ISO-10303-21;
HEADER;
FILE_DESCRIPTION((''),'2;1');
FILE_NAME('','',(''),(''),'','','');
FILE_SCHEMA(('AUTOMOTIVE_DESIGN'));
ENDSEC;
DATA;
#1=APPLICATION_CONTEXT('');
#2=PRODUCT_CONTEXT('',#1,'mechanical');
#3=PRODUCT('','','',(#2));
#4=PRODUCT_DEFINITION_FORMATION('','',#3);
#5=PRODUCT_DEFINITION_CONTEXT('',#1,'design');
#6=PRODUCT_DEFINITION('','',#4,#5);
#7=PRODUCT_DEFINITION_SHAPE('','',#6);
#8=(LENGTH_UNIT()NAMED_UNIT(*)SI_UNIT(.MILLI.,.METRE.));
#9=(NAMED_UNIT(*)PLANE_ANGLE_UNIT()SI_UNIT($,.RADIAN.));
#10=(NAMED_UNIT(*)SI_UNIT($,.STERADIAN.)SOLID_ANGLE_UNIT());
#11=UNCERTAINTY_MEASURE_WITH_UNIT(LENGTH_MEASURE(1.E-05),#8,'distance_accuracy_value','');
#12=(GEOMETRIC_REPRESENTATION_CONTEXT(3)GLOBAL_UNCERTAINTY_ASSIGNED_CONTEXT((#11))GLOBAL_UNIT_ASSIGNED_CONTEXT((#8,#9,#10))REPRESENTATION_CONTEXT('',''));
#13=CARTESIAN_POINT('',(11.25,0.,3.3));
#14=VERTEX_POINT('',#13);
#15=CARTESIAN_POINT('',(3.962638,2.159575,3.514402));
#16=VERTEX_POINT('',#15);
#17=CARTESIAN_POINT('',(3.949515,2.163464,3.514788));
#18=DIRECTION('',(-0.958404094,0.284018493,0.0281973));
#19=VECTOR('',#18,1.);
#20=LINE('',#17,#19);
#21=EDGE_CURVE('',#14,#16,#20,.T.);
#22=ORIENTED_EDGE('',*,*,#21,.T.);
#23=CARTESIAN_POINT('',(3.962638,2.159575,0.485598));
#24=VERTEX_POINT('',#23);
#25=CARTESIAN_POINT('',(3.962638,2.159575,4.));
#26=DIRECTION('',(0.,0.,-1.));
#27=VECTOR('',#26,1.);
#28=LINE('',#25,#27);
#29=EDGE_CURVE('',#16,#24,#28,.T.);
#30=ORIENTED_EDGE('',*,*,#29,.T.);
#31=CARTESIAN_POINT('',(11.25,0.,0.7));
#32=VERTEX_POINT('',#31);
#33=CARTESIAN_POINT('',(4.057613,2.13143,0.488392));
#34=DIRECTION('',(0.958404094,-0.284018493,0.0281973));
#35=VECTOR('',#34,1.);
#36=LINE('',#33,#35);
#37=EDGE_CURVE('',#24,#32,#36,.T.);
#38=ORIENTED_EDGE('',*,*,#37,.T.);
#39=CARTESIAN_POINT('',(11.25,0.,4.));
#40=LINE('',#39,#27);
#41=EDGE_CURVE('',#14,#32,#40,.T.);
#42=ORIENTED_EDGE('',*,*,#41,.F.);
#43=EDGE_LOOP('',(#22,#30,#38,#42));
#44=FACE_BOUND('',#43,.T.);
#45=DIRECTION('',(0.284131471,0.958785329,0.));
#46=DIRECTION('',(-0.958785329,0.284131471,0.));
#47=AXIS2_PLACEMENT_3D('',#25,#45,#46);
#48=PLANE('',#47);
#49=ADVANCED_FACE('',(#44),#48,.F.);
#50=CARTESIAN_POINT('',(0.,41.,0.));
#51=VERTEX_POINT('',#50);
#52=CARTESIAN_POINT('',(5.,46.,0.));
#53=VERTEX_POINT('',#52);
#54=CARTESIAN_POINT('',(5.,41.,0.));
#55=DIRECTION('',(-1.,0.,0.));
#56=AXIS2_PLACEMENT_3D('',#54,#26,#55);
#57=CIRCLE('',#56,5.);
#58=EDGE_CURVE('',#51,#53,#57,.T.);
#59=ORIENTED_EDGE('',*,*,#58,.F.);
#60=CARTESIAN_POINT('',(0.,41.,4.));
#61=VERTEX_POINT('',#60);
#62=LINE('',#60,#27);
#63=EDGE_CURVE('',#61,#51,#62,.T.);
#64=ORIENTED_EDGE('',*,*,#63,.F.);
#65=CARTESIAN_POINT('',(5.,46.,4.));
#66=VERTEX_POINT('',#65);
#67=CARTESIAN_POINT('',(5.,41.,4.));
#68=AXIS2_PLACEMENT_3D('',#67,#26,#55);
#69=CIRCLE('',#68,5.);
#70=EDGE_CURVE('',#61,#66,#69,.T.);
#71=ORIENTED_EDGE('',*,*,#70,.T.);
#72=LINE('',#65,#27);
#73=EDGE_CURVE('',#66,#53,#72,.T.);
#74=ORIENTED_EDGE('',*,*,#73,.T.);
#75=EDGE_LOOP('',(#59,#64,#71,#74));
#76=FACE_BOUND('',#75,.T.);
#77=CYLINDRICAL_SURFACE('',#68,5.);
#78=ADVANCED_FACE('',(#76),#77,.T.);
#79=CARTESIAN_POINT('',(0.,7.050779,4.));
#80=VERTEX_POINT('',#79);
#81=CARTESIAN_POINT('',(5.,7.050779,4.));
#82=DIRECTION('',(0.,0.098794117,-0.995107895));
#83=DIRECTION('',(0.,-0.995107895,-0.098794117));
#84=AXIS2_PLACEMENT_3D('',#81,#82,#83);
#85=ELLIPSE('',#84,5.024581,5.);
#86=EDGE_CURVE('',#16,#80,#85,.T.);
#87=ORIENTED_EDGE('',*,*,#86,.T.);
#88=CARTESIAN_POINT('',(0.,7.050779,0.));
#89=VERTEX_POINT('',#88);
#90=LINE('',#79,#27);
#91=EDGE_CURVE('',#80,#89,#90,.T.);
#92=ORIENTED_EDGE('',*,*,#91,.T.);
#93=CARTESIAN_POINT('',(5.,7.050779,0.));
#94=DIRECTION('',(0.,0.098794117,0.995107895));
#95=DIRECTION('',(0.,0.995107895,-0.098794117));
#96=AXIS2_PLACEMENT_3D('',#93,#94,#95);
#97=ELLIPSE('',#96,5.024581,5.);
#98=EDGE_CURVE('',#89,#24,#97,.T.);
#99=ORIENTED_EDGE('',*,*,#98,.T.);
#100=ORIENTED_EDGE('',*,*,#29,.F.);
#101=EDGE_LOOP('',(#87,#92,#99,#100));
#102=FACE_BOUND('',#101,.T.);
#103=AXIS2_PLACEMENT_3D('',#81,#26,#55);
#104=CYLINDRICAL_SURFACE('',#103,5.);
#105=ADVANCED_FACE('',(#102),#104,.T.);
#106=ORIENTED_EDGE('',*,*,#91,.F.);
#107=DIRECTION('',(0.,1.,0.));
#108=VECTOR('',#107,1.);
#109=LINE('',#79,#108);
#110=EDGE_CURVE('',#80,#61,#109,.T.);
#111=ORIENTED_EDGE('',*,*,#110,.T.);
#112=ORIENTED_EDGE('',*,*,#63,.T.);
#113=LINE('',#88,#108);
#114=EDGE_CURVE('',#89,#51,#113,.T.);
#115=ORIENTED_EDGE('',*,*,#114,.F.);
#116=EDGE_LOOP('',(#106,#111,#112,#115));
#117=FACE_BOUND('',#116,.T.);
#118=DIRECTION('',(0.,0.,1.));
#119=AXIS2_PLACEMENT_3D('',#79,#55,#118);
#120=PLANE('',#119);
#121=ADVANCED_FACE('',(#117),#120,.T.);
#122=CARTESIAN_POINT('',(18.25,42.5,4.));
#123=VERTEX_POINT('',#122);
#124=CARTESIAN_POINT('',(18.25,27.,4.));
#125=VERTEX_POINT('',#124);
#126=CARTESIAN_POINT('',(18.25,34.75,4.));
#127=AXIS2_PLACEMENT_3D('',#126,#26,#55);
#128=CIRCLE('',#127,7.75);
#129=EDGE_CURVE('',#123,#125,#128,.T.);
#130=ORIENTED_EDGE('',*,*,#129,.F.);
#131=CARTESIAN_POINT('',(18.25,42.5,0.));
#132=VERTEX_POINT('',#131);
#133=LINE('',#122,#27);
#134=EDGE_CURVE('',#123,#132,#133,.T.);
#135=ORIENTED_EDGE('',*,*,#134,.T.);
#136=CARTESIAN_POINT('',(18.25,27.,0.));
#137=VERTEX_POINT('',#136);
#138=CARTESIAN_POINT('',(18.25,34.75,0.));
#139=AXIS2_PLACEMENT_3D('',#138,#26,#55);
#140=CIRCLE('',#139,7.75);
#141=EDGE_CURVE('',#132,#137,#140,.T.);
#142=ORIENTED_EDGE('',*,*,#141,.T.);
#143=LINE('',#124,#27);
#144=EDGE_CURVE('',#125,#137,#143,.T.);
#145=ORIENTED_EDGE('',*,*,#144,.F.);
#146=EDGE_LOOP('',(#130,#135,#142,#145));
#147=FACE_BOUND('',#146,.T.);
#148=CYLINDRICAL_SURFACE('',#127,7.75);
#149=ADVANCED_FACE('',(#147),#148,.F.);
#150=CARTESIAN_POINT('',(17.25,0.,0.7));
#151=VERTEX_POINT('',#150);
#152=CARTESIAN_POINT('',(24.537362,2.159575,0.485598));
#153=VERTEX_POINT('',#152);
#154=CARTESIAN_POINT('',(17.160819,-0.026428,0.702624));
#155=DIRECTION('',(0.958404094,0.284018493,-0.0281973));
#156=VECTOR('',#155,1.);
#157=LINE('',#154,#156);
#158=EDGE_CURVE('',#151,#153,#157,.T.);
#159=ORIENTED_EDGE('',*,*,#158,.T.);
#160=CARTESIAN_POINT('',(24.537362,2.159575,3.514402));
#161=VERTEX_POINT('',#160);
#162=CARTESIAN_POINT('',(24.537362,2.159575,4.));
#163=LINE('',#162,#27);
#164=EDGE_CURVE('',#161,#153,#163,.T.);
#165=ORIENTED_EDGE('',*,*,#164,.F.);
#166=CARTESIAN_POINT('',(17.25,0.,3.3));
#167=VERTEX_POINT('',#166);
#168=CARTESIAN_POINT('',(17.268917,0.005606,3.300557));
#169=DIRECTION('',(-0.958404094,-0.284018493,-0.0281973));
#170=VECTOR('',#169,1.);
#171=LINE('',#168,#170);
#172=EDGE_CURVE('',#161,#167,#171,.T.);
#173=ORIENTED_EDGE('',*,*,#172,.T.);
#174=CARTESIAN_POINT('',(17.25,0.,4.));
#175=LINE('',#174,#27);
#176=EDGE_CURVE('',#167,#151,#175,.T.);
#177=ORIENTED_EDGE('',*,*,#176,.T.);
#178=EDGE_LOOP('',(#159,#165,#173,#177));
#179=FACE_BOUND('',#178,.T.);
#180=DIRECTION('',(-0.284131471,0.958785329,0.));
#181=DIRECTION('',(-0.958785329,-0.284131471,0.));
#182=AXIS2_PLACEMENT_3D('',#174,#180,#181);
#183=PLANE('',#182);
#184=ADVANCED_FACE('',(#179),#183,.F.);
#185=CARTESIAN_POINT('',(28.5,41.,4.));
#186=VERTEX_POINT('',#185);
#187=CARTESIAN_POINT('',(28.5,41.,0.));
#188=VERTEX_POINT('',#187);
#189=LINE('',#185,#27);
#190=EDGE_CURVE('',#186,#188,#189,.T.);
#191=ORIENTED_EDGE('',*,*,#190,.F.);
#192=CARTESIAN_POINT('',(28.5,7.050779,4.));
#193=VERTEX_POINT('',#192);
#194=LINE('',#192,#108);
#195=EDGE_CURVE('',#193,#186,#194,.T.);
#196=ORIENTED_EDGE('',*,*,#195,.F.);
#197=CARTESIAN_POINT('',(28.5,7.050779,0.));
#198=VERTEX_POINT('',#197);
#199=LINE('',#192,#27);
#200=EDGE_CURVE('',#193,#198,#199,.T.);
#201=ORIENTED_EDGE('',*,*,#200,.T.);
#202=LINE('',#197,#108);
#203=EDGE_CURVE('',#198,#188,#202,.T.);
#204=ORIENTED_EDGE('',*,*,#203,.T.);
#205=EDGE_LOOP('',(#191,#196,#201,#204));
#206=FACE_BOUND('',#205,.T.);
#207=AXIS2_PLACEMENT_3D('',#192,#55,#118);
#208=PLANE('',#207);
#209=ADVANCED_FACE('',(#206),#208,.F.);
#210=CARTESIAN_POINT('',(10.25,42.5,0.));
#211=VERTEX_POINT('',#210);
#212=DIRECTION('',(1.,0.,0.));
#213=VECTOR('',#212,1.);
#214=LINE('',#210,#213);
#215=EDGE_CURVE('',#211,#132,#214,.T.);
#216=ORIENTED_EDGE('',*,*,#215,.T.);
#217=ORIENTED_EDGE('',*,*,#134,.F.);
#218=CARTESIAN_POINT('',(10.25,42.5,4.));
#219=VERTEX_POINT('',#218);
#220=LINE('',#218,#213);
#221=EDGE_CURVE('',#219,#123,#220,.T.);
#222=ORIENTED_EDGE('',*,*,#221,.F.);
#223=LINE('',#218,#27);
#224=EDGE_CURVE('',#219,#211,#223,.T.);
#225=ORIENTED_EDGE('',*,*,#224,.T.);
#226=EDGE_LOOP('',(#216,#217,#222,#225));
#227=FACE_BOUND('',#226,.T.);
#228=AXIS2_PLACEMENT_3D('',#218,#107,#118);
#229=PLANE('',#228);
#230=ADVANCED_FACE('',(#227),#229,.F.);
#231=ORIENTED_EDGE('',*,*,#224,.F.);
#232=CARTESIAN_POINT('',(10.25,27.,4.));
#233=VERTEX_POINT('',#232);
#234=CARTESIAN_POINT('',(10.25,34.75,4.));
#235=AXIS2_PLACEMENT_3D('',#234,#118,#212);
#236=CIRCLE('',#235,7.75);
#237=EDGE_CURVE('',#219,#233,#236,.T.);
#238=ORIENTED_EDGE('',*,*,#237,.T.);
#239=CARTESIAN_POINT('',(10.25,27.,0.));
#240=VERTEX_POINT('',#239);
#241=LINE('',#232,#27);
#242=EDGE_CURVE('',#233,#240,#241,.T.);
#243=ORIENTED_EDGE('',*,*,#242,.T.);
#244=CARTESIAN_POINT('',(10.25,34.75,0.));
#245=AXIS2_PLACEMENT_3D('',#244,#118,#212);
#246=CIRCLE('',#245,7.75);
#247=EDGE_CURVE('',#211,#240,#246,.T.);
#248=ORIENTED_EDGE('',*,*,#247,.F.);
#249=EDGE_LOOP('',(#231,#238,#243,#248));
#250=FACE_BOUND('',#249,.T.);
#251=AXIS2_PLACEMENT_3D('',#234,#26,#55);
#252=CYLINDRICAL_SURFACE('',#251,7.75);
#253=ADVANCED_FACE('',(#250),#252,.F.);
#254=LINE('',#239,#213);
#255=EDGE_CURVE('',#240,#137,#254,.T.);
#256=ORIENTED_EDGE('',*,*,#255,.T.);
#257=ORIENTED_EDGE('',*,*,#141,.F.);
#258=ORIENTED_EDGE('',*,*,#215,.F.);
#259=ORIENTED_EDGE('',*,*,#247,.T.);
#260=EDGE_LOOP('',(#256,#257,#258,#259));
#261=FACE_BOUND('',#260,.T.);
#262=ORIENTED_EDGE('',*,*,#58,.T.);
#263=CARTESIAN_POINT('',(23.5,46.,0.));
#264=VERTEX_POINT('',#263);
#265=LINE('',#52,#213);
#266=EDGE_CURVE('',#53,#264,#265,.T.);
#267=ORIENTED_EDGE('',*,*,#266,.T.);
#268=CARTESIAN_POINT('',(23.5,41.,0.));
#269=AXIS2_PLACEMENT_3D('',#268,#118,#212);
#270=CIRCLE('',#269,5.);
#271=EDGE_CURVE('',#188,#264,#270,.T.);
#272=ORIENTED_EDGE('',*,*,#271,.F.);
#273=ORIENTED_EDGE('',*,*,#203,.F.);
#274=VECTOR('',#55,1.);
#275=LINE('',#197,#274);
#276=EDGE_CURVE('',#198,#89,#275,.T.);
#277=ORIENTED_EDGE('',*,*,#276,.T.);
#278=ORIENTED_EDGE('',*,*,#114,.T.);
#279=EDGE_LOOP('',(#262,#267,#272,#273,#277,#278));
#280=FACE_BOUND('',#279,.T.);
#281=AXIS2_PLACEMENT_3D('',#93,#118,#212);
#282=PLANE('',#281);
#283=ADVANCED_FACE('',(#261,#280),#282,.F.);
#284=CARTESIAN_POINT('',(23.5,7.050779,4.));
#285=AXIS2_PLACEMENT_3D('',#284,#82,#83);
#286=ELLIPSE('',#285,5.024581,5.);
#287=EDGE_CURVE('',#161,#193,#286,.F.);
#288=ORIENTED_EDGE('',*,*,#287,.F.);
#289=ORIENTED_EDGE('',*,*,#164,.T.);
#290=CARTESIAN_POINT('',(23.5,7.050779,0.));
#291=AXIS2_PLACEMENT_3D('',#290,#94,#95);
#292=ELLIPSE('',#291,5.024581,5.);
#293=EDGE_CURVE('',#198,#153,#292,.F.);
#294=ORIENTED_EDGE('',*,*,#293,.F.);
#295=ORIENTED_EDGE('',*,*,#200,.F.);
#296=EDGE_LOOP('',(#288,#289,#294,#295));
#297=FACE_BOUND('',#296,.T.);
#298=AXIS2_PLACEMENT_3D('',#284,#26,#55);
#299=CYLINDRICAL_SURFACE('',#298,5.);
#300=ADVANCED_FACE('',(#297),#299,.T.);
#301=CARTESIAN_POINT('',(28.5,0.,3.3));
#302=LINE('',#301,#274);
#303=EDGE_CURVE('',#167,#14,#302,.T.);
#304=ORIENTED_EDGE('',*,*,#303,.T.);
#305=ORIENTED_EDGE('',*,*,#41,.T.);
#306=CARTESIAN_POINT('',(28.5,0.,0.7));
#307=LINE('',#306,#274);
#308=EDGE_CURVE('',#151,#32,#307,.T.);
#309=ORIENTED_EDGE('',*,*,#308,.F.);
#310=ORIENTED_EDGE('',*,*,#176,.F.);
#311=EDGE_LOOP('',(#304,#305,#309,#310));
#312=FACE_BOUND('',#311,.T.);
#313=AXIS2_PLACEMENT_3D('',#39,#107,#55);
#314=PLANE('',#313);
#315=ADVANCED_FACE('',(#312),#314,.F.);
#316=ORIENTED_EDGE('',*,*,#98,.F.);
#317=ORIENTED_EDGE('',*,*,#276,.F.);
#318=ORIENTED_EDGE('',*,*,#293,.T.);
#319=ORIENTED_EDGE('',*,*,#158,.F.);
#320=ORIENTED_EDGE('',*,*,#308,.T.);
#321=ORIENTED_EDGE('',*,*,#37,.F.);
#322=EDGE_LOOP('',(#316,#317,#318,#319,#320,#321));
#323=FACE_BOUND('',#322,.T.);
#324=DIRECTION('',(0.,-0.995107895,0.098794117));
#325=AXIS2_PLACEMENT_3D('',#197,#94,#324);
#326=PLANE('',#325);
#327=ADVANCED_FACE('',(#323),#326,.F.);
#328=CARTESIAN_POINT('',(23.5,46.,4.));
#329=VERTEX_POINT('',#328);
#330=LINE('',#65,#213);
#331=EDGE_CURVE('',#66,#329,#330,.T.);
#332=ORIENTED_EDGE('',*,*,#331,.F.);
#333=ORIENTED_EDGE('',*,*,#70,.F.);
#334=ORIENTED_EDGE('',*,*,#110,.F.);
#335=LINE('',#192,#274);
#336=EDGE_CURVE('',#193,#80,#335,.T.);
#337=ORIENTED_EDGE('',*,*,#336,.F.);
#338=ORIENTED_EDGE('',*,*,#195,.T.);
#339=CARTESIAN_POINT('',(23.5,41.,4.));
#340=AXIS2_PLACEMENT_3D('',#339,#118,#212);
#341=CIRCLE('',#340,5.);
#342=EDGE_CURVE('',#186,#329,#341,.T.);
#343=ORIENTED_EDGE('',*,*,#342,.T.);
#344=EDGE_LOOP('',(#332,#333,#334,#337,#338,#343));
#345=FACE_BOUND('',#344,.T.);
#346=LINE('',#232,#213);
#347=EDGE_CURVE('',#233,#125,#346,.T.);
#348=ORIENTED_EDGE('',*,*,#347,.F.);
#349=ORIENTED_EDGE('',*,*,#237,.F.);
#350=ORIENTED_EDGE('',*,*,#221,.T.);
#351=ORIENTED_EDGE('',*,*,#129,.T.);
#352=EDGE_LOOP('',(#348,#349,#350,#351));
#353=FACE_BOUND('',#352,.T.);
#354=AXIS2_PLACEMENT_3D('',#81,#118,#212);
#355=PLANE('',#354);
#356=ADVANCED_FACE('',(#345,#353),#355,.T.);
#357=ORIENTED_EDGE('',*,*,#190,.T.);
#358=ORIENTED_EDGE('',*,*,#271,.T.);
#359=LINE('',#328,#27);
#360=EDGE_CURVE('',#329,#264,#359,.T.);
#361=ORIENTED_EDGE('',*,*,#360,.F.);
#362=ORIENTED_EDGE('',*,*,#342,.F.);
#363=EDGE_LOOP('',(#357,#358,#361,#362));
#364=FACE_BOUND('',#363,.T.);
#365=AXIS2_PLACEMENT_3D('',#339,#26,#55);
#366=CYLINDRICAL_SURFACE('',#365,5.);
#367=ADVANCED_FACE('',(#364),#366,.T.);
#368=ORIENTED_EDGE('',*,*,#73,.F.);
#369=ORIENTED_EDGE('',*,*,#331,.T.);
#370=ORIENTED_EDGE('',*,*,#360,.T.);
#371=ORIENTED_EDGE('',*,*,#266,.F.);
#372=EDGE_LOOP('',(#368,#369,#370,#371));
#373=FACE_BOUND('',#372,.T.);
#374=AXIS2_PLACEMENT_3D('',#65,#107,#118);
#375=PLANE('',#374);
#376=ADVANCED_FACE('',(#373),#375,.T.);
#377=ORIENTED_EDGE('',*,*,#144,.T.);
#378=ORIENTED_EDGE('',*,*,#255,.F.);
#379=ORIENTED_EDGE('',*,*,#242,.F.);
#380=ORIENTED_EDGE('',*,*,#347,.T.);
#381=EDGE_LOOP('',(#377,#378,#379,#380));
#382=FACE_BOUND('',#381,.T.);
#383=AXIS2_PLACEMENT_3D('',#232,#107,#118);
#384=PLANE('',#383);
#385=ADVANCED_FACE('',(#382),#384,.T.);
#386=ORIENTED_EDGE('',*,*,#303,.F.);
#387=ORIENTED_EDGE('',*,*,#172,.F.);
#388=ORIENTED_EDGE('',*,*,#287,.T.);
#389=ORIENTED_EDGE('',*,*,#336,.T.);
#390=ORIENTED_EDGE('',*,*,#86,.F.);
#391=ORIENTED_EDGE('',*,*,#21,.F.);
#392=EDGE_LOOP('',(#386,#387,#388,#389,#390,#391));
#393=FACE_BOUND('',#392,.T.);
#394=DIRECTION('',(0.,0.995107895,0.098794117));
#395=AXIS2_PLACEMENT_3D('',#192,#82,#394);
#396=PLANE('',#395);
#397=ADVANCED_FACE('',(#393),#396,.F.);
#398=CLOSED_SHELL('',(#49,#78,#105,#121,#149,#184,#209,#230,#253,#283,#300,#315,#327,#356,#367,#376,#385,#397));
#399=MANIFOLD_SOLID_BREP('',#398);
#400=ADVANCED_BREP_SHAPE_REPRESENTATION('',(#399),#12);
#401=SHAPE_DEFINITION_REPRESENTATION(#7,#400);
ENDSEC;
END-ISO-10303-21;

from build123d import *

# Parameters (mm, degrees)
BOSS_EXTRUDE1_DEPTH = 4
CUT_EXTRUDE1_DEPTH  = 55.260943597


with BuildPart() as part:
    # Sketch1 → Boss-Extrude1 (new body)
    with BuildSketch(Plane.XY):
        with BuildLine():
            Line((0, 7.050779416), (0, 41))
            ThreePointArc((0, 41), (1.464466094, 44.535533906), (5, 46))
            Line((5, 46), (23.5, 46))
            ThreePointArc((23.5, 46), (27.035533906, 44.535533906), (28.5, 41))
            Line((28.5, 41), (28.5, 7.050779416))
            ThreePointArc((28.5, 7.050779416), (27.385023171, 3.903305038), (24.537362015, 2.159575061))
            Line((24.537362015, 2.159575061), (17.25, 0))
            Line((17.25, 0), (11.25, 0))
            Line((11.25, 0), (3.962637985, 2.159575061))
            ThreePointArc((3.962637985, 2.159575061), (1.114976829, 3.903305038), (0, 7.050779416))
        make_face()
        with BuildLine():
            Line((10.25, 42.5), (18.25, 42.5))
            ThreePointArc((18.25, 42.5), (26, 34.75), (18.25, 27))
            Line((18.25, 27), (10.25, 27))
            ThreePointArc((10.25, 27), (2.5, 34.75), (10.25, 42.5))
        make_face(mode=Mode.SUBTRACT)
    extrude(amount=BOSS_EXTRUDE1_DEPTH)

    # Sketch2 → Cut-Extrude1 (cut, through all)
    with BuildSketch(Plane.ZY):
        Polygon((0, 0), (0, 7.050779416), (0.7, 0), align=None)
        Polygon((4, 7.050779416), (3.3, 0), (4, 0), align=None)
    extrude(amount=-CUT_EXTRUDE1_DEPTH, mode=Mode.SUBTRACT)


solid = part.part
